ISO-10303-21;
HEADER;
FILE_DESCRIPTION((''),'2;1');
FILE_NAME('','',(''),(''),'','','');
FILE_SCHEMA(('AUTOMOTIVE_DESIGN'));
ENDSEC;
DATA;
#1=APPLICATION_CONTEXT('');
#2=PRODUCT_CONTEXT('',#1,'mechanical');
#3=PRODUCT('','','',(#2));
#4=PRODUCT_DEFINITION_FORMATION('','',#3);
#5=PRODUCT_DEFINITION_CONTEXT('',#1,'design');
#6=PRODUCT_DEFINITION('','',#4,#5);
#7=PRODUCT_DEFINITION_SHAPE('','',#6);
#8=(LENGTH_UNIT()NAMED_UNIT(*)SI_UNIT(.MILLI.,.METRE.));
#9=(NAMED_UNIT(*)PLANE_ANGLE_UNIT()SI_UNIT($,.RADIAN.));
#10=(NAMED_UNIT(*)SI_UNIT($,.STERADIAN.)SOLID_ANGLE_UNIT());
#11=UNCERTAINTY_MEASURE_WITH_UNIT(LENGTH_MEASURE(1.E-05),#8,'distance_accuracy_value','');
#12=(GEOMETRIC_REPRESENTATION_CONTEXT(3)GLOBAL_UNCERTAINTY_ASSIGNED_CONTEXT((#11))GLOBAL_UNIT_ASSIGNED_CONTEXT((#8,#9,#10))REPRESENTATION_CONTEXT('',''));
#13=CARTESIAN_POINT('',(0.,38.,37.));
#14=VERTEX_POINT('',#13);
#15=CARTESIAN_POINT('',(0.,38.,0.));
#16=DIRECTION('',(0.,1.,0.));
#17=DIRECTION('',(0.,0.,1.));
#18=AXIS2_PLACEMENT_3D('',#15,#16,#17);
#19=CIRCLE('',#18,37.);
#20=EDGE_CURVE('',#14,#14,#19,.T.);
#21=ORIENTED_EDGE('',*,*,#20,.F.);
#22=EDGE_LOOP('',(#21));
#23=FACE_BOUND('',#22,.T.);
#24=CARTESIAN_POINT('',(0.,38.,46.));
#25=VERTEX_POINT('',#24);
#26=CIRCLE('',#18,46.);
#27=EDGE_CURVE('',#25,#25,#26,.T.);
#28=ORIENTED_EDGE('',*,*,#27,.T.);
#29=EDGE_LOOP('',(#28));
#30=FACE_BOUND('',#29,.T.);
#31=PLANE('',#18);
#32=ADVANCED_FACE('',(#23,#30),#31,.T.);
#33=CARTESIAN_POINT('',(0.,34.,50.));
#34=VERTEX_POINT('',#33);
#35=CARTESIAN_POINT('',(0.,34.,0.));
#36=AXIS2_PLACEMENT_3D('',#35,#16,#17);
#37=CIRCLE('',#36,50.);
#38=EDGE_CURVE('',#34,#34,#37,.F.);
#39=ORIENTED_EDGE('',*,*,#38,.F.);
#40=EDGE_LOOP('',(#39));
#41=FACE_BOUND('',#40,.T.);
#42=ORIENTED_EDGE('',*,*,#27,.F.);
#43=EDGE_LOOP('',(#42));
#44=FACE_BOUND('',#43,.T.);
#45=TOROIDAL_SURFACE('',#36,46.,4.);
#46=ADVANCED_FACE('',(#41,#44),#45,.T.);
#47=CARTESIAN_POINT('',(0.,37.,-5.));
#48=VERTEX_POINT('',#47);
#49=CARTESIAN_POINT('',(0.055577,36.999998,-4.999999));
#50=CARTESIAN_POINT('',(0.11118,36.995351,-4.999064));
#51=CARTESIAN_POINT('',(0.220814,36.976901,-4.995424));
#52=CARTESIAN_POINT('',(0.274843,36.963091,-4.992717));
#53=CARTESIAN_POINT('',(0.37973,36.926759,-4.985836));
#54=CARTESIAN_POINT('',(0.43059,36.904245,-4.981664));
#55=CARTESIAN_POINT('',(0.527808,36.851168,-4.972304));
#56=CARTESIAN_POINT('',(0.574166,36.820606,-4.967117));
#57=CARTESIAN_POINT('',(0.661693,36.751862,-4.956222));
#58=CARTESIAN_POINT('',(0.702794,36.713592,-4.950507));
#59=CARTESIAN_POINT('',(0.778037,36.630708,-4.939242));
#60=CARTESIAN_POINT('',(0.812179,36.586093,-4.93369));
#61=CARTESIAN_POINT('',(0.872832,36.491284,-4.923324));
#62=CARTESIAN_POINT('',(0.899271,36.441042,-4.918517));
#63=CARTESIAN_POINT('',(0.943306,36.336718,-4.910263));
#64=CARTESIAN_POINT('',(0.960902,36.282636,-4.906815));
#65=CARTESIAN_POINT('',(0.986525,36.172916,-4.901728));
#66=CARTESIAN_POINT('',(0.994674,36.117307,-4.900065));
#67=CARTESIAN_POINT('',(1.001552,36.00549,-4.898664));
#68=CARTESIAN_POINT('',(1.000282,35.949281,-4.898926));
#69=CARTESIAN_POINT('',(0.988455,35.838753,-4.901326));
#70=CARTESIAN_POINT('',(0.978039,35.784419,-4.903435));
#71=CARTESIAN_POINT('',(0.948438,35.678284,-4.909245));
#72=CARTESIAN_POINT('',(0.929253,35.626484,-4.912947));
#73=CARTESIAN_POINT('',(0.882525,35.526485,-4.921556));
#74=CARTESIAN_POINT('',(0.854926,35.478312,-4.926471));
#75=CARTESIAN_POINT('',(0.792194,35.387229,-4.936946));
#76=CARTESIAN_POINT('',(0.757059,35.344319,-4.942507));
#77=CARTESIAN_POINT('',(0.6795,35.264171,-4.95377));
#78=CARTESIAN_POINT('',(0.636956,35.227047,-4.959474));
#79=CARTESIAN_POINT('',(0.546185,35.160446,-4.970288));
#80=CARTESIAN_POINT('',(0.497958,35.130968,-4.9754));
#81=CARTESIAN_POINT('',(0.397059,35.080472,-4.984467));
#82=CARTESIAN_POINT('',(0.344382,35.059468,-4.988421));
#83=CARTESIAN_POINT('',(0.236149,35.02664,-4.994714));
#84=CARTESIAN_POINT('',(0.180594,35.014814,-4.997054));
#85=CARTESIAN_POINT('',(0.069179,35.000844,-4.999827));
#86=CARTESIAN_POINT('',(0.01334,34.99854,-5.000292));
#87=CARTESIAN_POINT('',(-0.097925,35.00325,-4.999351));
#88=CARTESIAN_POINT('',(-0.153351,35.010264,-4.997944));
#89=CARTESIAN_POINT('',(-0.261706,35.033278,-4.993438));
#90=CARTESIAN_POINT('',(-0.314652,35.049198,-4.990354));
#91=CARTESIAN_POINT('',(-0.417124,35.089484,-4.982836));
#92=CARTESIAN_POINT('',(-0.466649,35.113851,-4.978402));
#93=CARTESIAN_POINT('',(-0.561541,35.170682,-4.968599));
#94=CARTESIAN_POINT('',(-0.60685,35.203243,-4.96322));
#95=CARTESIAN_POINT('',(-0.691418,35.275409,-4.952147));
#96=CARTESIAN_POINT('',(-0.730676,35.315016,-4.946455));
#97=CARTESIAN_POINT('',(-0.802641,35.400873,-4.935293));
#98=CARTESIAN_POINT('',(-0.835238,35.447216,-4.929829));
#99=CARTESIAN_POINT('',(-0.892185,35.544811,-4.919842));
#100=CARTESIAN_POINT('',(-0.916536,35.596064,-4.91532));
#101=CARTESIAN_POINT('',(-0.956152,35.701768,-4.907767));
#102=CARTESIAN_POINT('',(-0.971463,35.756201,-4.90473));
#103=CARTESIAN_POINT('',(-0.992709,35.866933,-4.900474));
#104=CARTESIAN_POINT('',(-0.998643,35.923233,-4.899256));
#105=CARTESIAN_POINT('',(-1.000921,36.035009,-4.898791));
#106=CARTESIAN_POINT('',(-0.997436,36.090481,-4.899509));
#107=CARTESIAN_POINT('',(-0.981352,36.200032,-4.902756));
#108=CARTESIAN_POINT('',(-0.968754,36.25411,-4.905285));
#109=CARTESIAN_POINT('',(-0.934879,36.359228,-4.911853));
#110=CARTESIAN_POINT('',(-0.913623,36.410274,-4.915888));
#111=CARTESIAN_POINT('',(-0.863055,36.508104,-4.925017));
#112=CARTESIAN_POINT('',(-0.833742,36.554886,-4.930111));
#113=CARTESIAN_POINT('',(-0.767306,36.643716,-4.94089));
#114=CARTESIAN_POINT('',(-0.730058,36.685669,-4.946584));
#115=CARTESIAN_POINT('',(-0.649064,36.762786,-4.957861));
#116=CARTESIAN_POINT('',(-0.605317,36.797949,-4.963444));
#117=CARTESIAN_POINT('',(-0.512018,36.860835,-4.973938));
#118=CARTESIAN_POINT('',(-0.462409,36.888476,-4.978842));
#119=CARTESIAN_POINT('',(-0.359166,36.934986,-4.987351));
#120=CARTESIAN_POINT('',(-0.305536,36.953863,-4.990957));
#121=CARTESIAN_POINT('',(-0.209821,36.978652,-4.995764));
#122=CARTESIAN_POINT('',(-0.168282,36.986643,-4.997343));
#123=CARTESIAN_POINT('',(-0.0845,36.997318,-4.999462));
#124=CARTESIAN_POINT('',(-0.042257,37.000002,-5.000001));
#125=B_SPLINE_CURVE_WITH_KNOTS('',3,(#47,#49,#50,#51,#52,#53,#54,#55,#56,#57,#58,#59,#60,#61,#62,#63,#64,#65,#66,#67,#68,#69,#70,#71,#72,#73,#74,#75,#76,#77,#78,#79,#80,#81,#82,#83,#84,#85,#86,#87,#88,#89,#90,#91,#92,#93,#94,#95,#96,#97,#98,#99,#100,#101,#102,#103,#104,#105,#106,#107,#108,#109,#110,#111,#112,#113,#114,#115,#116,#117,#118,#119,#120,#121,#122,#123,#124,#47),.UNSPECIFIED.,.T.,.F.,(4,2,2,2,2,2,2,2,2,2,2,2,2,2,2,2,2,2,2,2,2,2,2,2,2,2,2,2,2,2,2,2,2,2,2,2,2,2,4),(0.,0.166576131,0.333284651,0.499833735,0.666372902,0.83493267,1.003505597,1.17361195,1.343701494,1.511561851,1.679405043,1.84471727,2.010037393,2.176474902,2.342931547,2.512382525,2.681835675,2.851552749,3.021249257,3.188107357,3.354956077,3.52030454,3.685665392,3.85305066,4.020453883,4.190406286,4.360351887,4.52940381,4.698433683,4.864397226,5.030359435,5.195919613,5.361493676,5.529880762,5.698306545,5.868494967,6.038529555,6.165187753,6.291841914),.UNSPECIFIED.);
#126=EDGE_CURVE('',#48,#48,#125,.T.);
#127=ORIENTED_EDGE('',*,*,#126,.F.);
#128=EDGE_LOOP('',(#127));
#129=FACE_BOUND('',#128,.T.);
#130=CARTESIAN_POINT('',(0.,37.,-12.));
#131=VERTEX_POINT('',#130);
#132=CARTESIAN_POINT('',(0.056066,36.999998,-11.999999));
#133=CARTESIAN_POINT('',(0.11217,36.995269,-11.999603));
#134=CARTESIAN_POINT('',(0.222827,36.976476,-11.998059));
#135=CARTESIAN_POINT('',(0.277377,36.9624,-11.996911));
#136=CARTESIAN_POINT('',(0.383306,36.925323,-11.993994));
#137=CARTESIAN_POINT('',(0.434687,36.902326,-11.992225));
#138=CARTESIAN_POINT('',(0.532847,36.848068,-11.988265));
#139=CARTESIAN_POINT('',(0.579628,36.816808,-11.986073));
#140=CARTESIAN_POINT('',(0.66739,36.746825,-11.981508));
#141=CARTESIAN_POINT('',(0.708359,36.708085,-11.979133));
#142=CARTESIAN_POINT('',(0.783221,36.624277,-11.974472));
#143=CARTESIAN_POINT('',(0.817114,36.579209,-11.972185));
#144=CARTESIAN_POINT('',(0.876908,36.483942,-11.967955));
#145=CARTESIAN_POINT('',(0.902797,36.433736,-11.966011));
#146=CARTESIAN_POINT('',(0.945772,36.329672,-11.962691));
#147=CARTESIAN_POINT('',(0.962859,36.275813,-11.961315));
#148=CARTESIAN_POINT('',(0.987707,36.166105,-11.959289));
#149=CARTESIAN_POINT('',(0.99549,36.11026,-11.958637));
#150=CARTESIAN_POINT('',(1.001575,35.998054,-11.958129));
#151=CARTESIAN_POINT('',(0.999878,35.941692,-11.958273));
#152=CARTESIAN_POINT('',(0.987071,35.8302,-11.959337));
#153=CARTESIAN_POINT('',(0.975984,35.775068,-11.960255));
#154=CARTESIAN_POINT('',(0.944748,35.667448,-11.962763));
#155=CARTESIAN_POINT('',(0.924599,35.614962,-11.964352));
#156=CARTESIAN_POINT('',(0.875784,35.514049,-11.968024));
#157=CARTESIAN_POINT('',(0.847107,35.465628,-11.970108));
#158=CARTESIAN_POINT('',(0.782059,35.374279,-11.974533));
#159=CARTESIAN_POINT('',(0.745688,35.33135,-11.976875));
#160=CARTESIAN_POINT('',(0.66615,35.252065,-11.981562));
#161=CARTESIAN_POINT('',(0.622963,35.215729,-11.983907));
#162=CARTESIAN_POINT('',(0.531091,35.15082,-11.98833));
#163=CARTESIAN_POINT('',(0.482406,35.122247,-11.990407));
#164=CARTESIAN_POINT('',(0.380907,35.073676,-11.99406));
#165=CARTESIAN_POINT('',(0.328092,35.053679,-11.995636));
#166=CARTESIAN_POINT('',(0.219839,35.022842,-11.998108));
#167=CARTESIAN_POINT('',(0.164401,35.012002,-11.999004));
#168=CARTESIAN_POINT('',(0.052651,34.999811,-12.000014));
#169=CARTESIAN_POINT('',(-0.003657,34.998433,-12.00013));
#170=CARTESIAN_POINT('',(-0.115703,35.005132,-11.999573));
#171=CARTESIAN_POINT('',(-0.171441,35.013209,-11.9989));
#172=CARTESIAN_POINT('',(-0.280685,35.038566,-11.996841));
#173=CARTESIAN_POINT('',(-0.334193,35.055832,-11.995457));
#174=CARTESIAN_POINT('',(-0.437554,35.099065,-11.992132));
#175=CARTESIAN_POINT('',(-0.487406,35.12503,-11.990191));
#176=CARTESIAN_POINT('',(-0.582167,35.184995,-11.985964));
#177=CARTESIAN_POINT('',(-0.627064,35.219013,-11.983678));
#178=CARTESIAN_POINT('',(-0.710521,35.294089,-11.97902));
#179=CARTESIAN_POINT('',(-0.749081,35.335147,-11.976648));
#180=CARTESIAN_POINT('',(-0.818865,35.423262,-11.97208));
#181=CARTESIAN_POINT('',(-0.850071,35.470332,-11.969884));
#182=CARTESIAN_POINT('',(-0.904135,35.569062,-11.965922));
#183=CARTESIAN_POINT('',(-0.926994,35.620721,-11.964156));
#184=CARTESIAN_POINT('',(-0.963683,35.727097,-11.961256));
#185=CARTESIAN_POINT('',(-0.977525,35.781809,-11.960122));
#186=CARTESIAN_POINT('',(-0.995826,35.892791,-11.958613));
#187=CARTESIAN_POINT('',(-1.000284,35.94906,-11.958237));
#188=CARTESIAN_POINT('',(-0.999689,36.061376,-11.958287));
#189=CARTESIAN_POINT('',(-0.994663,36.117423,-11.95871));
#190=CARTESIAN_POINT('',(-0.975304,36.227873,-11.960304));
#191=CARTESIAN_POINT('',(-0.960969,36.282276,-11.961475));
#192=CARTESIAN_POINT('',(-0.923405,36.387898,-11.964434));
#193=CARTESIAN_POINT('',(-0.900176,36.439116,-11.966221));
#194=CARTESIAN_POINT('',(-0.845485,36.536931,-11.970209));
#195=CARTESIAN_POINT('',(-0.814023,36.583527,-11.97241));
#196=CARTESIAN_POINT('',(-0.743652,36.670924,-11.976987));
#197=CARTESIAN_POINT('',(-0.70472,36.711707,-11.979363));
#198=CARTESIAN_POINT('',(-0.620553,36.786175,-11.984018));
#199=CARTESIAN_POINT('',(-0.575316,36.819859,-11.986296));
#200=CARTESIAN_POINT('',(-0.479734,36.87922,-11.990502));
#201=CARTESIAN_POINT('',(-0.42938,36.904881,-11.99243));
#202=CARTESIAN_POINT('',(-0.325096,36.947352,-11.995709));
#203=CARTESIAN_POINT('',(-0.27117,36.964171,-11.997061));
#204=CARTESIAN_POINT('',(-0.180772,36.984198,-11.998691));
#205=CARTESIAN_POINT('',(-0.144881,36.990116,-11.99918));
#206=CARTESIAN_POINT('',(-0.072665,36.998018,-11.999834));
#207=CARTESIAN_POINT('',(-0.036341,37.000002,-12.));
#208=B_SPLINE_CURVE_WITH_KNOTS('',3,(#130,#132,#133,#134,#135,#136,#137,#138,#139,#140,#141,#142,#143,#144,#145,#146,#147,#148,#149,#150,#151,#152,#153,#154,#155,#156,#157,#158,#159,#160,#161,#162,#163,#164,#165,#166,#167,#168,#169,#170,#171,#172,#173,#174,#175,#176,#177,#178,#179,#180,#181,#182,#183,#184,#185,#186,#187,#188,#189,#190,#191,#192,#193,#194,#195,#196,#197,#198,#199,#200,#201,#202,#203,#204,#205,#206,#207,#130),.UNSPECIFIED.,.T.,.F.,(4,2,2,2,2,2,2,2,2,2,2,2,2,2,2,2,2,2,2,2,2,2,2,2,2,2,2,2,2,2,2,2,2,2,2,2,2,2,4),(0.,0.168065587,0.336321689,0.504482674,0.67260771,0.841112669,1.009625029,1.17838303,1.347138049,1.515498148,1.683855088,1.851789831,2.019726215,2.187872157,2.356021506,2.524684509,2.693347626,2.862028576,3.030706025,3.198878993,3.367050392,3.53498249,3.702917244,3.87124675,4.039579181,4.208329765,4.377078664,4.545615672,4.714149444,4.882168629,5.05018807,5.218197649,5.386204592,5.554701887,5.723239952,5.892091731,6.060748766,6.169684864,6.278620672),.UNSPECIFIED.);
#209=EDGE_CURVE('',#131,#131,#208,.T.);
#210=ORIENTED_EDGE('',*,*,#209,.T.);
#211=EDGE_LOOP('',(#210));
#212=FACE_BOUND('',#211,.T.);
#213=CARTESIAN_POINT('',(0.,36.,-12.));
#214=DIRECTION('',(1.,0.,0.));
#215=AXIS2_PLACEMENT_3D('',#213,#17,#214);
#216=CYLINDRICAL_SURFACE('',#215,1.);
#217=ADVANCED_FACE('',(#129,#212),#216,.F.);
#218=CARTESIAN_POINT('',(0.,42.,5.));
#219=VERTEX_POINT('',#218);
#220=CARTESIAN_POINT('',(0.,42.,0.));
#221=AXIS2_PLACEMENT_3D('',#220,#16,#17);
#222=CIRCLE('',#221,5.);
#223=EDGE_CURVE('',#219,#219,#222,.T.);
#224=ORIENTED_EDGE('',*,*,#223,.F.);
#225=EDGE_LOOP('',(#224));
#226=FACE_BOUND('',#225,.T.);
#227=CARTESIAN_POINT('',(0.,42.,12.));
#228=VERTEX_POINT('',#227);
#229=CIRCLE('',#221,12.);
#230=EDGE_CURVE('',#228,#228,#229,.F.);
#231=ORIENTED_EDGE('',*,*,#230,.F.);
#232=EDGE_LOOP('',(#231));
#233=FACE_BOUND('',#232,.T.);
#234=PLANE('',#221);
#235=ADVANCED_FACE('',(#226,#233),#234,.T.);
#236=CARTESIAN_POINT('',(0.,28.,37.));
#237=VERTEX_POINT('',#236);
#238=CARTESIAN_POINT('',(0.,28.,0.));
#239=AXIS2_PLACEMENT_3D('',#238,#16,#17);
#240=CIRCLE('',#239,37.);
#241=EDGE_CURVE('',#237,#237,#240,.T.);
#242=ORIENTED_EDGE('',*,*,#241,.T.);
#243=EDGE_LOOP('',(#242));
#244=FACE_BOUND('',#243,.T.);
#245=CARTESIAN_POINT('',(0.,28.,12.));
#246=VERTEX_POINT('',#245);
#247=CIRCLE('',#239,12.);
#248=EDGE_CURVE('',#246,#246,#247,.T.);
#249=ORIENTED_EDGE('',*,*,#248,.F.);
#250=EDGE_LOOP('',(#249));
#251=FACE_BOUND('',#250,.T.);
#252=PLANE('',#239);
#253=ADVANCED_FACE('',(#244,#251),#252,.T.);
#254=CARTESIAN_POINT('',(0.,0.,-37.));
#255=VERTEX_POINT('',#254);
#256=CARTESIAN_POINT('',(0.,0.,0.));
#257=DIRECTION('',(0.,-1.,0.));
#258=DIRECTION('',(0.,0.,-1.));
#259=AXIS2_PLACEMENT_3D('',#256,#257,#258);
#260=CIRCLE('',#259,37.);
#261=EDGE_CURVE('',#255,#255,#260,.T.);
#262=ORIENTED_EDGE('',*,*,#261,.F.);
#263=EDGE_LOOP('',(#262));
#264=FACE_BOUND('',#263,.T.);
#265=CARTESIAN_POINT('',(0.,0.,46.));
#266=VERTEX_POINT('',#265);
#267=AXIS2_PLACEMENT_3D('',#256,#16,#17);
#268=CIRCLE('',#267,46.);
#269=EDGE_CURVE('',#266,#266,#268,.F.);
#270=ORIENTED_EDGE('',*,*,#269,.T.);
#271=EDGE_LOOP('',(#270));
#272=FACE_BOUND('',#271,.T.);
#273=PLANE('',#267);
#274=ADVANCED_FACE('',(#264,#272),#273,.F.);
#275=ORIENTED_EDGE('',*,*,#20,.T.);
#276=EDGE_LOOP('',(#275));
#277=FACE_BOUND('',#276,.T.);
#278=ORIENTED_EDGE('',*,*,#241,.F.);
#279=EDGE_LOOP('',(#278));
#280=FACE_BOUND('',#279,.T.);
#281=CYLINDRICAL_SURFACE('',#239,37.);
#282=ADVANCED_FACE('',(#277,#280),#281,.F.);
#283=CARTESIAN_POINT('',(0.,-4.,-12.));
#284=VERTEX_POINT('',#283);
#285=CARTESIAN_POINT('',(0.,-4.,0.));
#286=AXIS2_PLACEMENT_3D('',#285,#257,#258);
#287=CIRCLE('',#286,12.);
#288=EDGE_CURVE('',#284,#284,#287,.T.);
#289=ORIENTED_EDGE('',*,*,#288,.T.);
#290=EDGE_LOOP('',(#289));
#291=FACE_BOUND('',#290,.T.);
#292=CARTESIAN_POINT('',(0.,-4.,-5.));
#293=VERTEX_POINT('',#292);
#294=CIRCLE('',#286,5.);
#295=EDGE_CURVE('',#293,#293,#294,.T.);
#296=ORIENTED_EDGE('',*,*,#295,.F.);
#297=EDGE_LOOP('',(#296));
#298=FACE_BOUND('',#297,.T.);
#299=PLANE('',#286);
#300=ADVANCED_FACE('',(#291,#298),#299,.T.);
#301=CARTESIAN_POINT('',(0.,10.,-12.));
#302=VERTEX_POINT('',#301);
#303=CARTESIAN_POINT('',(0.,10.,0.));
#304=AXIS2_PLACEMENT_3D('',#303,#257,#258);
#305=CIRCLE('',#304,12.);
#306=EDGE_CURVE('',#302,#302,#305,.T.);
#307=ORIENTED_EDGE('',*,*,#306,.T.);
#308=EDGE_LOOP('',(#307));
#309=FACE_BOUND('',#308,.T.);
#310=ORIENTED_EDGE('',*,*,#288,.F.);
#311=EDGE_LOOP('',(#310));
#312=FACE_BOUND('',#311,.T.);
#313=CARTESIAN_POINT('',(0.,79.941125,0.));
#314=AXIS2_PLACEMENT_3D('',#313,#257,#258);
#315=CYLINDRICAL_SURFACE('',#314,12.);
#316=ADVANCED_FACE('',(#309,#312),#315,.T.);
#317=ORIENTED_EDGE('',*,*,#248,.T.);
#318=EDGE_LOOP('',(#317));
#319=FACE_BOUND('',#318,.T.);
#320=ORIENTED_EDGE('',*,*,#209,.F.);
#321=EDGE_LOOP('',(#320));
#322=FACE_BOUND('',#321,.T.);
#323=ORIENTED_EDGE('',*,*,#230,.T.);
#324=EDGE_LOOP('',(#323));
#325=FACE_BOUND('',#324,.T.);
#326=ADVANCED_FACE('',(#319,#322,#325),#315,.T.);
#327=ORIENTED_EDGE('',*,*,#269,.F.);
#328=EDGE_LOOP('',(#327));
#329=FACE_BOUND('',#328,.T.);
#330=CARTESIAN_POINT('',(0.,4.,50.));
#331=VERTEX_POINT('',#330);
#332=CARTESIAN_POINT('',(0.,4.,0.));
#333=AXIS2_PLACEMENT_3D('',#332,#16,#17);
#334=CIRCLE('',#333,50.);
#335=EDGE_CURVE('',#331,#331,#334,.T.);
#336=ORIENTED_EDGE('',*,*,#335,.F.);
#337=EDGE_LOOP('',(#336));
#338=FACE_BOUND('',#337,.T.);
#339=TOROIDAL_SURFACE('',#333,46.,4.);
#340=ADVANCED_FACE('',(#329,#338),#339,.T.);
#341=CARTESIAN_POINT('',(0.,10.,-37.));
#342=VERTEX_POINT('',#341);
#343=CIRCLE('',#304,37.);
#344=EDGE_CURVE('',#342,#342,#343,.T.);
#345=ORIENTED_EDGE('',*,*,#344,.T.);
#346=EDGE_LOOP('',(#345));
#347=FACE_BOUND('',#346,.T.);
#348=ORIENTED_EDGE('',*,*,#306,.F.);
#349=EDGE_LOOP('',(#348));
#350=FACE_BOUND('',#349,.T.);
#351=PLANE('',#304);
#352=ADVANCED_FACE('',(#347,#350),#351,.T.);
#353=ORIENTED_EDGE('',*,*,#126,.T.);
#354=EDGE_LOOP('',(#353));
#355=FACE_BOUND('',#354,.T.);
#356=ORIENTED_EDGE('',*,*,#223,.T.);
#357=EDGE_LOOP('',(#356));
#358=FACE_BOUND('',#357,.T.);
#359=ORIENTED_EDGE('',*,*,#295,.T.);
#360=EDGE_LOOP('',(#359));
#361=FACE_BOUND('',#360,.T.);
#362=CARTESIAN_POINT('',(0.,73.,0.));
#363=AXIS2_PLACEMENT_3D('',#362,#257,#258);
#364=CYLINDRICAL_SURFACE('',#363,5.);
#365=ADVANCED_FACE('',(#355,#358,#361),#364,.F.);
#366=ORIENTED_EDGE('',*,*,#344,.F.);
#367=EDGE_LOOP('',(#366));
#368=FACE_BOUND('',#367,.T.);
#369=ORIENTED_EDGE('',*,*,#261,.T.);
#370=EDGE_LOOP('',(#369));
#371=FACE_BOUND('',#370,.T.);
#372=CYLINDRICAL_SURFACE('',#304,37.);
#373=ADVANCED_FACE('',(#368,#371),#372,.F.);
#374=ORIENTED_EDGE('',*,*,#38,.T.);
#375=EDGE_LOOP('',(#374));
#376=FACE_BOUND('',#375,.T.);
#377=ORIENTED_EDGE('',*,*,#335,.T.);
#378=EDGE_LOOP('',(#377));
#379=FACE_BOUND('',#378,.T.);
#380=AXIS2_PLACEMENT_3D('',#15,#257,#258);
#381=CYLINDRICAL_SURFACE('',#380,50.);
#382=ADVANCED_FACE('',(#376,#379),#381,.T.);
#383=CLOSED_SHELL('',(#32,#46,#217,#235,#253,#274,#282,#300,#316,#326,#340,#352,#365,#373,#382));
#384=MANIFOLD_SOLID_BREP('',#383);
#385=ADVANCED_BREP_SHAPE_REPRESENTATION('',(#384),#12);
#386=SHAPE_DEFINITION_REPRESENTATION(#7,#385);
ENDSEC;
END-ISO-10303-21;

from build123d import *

# Parameters (mm, degrees)
SKETCH1_R           = 50
EXTRUDE1_DEPTH      = 38
EXTRUDE2_DEPTH      = 4
EXTRUDE2_DEPTH_BACK = 42
SKETCH2_R           = 12
SKETCH3_R           = 5
EXTRUDE3_DEPTH      = 77
SKETCH4_R           = 37
SKETCH4_R_2         = 12
EXTRUDE4_DEPTH      = 10
EXTRUDE6_START      = -10
SKETCH5_R           = 37
SKETCH5_R_2         = 12
EXTRUDE6_DEPTH      = 10
FILLET1_R           = 4
SKETCH6_R           = 1
EXTRUDE7_DEPTH      = 12


with BuildPart() as part:
    # Sketch1 → Extrude1 (new body)
    with BuildSketch(Plane(origin=(0, 0, 0), x_dir=(1, 0, 0), z_dir=(0, 1, 0))):
        with Locations(Location((0, 0, 0), (0, 0, 270))):
            Circle(SKETCH1_R)
    extrude(amount=EXTRUDE1_DEPTH)

    # Sketch2 → Extrude2 (add, two sides: drawn at the far end of the back side and taken through both)
    with BuildSketch(Plane.XZ.offset(-EXTRUDE2_DEPTH_BACK)):
        with Locations(Location((0, 0, 0), (0, 0, 270))):
            Circle(SKETCH2_R)
    extrude(amount=EXTRUDE2_DEPTH + EXTRUDE2_DEPTH_BACK)

    # Sketch3 → Extrude3 (cut)
    with BuildSketch(Plane.XZ.offset(4)):
        with Locations(Location((0, 0, 0), (0, 0, 270))):
            Circle(SKETCH3_R)
    extrude(amount=-EXTRUDE3_DEPTH, mode=Mode.SUBTRACT)

    # Sketch4 → Extrude4 (cut)
    with BuildSketch(Plane.XZ):
        with Locations(Location((0, 0, 0), (0, 0, 270))):
            Circle(SKETCH4_R)
        with Locations(Location((0, 0, 0), (0, 0, 270))):
            Circle(SKETCH4_R_2, mode=Mode.SUBTRACT)
    extrude(amount=-EXTRUDE4_DEPTH, mode=Mode.SUBTRACT)

    # Sketch5 → Extrude6 (cut)
    with BuildSketch(Plane(origin=(0, 38, 0), x_dir=(1, 0, 0), z_dir=(0, 1, 0)).offset(EXTRUDE6_START)):
        with Locations(Location((0, 0, 0), (0, 0, 90))):
            Circle(SKETCH5_R)
        with Locations(Location((0, 0, 0), (0, 0, 90))):
            Circle(SKETCH5_R_2, mode=Mode.SUBTRACT)
    extrude(amount=EXTRUDE6_DEPTH, mode=Mode.SUBTRACT)

    # Fillet1
    fillet1_edges = [part.edges().sort_by_distance(p)[0] for p in [
        (0, 0, -50),
        (0, 38, -50),
    ]]
    fillet(fillet1_edges, radius=FILLET1_R)

    # Sketch6 → Extrude7 (cut)
    with BuildSketch(Plane.XY):
        with Locations(Location((0, 36, 0), (0, 0, 90))):
            Circle(SKETCH6_R)
    extrude(amount=-EXTRUDE7_DEPTH, mode=Mode.SUBTRACT)


solid = part.part
